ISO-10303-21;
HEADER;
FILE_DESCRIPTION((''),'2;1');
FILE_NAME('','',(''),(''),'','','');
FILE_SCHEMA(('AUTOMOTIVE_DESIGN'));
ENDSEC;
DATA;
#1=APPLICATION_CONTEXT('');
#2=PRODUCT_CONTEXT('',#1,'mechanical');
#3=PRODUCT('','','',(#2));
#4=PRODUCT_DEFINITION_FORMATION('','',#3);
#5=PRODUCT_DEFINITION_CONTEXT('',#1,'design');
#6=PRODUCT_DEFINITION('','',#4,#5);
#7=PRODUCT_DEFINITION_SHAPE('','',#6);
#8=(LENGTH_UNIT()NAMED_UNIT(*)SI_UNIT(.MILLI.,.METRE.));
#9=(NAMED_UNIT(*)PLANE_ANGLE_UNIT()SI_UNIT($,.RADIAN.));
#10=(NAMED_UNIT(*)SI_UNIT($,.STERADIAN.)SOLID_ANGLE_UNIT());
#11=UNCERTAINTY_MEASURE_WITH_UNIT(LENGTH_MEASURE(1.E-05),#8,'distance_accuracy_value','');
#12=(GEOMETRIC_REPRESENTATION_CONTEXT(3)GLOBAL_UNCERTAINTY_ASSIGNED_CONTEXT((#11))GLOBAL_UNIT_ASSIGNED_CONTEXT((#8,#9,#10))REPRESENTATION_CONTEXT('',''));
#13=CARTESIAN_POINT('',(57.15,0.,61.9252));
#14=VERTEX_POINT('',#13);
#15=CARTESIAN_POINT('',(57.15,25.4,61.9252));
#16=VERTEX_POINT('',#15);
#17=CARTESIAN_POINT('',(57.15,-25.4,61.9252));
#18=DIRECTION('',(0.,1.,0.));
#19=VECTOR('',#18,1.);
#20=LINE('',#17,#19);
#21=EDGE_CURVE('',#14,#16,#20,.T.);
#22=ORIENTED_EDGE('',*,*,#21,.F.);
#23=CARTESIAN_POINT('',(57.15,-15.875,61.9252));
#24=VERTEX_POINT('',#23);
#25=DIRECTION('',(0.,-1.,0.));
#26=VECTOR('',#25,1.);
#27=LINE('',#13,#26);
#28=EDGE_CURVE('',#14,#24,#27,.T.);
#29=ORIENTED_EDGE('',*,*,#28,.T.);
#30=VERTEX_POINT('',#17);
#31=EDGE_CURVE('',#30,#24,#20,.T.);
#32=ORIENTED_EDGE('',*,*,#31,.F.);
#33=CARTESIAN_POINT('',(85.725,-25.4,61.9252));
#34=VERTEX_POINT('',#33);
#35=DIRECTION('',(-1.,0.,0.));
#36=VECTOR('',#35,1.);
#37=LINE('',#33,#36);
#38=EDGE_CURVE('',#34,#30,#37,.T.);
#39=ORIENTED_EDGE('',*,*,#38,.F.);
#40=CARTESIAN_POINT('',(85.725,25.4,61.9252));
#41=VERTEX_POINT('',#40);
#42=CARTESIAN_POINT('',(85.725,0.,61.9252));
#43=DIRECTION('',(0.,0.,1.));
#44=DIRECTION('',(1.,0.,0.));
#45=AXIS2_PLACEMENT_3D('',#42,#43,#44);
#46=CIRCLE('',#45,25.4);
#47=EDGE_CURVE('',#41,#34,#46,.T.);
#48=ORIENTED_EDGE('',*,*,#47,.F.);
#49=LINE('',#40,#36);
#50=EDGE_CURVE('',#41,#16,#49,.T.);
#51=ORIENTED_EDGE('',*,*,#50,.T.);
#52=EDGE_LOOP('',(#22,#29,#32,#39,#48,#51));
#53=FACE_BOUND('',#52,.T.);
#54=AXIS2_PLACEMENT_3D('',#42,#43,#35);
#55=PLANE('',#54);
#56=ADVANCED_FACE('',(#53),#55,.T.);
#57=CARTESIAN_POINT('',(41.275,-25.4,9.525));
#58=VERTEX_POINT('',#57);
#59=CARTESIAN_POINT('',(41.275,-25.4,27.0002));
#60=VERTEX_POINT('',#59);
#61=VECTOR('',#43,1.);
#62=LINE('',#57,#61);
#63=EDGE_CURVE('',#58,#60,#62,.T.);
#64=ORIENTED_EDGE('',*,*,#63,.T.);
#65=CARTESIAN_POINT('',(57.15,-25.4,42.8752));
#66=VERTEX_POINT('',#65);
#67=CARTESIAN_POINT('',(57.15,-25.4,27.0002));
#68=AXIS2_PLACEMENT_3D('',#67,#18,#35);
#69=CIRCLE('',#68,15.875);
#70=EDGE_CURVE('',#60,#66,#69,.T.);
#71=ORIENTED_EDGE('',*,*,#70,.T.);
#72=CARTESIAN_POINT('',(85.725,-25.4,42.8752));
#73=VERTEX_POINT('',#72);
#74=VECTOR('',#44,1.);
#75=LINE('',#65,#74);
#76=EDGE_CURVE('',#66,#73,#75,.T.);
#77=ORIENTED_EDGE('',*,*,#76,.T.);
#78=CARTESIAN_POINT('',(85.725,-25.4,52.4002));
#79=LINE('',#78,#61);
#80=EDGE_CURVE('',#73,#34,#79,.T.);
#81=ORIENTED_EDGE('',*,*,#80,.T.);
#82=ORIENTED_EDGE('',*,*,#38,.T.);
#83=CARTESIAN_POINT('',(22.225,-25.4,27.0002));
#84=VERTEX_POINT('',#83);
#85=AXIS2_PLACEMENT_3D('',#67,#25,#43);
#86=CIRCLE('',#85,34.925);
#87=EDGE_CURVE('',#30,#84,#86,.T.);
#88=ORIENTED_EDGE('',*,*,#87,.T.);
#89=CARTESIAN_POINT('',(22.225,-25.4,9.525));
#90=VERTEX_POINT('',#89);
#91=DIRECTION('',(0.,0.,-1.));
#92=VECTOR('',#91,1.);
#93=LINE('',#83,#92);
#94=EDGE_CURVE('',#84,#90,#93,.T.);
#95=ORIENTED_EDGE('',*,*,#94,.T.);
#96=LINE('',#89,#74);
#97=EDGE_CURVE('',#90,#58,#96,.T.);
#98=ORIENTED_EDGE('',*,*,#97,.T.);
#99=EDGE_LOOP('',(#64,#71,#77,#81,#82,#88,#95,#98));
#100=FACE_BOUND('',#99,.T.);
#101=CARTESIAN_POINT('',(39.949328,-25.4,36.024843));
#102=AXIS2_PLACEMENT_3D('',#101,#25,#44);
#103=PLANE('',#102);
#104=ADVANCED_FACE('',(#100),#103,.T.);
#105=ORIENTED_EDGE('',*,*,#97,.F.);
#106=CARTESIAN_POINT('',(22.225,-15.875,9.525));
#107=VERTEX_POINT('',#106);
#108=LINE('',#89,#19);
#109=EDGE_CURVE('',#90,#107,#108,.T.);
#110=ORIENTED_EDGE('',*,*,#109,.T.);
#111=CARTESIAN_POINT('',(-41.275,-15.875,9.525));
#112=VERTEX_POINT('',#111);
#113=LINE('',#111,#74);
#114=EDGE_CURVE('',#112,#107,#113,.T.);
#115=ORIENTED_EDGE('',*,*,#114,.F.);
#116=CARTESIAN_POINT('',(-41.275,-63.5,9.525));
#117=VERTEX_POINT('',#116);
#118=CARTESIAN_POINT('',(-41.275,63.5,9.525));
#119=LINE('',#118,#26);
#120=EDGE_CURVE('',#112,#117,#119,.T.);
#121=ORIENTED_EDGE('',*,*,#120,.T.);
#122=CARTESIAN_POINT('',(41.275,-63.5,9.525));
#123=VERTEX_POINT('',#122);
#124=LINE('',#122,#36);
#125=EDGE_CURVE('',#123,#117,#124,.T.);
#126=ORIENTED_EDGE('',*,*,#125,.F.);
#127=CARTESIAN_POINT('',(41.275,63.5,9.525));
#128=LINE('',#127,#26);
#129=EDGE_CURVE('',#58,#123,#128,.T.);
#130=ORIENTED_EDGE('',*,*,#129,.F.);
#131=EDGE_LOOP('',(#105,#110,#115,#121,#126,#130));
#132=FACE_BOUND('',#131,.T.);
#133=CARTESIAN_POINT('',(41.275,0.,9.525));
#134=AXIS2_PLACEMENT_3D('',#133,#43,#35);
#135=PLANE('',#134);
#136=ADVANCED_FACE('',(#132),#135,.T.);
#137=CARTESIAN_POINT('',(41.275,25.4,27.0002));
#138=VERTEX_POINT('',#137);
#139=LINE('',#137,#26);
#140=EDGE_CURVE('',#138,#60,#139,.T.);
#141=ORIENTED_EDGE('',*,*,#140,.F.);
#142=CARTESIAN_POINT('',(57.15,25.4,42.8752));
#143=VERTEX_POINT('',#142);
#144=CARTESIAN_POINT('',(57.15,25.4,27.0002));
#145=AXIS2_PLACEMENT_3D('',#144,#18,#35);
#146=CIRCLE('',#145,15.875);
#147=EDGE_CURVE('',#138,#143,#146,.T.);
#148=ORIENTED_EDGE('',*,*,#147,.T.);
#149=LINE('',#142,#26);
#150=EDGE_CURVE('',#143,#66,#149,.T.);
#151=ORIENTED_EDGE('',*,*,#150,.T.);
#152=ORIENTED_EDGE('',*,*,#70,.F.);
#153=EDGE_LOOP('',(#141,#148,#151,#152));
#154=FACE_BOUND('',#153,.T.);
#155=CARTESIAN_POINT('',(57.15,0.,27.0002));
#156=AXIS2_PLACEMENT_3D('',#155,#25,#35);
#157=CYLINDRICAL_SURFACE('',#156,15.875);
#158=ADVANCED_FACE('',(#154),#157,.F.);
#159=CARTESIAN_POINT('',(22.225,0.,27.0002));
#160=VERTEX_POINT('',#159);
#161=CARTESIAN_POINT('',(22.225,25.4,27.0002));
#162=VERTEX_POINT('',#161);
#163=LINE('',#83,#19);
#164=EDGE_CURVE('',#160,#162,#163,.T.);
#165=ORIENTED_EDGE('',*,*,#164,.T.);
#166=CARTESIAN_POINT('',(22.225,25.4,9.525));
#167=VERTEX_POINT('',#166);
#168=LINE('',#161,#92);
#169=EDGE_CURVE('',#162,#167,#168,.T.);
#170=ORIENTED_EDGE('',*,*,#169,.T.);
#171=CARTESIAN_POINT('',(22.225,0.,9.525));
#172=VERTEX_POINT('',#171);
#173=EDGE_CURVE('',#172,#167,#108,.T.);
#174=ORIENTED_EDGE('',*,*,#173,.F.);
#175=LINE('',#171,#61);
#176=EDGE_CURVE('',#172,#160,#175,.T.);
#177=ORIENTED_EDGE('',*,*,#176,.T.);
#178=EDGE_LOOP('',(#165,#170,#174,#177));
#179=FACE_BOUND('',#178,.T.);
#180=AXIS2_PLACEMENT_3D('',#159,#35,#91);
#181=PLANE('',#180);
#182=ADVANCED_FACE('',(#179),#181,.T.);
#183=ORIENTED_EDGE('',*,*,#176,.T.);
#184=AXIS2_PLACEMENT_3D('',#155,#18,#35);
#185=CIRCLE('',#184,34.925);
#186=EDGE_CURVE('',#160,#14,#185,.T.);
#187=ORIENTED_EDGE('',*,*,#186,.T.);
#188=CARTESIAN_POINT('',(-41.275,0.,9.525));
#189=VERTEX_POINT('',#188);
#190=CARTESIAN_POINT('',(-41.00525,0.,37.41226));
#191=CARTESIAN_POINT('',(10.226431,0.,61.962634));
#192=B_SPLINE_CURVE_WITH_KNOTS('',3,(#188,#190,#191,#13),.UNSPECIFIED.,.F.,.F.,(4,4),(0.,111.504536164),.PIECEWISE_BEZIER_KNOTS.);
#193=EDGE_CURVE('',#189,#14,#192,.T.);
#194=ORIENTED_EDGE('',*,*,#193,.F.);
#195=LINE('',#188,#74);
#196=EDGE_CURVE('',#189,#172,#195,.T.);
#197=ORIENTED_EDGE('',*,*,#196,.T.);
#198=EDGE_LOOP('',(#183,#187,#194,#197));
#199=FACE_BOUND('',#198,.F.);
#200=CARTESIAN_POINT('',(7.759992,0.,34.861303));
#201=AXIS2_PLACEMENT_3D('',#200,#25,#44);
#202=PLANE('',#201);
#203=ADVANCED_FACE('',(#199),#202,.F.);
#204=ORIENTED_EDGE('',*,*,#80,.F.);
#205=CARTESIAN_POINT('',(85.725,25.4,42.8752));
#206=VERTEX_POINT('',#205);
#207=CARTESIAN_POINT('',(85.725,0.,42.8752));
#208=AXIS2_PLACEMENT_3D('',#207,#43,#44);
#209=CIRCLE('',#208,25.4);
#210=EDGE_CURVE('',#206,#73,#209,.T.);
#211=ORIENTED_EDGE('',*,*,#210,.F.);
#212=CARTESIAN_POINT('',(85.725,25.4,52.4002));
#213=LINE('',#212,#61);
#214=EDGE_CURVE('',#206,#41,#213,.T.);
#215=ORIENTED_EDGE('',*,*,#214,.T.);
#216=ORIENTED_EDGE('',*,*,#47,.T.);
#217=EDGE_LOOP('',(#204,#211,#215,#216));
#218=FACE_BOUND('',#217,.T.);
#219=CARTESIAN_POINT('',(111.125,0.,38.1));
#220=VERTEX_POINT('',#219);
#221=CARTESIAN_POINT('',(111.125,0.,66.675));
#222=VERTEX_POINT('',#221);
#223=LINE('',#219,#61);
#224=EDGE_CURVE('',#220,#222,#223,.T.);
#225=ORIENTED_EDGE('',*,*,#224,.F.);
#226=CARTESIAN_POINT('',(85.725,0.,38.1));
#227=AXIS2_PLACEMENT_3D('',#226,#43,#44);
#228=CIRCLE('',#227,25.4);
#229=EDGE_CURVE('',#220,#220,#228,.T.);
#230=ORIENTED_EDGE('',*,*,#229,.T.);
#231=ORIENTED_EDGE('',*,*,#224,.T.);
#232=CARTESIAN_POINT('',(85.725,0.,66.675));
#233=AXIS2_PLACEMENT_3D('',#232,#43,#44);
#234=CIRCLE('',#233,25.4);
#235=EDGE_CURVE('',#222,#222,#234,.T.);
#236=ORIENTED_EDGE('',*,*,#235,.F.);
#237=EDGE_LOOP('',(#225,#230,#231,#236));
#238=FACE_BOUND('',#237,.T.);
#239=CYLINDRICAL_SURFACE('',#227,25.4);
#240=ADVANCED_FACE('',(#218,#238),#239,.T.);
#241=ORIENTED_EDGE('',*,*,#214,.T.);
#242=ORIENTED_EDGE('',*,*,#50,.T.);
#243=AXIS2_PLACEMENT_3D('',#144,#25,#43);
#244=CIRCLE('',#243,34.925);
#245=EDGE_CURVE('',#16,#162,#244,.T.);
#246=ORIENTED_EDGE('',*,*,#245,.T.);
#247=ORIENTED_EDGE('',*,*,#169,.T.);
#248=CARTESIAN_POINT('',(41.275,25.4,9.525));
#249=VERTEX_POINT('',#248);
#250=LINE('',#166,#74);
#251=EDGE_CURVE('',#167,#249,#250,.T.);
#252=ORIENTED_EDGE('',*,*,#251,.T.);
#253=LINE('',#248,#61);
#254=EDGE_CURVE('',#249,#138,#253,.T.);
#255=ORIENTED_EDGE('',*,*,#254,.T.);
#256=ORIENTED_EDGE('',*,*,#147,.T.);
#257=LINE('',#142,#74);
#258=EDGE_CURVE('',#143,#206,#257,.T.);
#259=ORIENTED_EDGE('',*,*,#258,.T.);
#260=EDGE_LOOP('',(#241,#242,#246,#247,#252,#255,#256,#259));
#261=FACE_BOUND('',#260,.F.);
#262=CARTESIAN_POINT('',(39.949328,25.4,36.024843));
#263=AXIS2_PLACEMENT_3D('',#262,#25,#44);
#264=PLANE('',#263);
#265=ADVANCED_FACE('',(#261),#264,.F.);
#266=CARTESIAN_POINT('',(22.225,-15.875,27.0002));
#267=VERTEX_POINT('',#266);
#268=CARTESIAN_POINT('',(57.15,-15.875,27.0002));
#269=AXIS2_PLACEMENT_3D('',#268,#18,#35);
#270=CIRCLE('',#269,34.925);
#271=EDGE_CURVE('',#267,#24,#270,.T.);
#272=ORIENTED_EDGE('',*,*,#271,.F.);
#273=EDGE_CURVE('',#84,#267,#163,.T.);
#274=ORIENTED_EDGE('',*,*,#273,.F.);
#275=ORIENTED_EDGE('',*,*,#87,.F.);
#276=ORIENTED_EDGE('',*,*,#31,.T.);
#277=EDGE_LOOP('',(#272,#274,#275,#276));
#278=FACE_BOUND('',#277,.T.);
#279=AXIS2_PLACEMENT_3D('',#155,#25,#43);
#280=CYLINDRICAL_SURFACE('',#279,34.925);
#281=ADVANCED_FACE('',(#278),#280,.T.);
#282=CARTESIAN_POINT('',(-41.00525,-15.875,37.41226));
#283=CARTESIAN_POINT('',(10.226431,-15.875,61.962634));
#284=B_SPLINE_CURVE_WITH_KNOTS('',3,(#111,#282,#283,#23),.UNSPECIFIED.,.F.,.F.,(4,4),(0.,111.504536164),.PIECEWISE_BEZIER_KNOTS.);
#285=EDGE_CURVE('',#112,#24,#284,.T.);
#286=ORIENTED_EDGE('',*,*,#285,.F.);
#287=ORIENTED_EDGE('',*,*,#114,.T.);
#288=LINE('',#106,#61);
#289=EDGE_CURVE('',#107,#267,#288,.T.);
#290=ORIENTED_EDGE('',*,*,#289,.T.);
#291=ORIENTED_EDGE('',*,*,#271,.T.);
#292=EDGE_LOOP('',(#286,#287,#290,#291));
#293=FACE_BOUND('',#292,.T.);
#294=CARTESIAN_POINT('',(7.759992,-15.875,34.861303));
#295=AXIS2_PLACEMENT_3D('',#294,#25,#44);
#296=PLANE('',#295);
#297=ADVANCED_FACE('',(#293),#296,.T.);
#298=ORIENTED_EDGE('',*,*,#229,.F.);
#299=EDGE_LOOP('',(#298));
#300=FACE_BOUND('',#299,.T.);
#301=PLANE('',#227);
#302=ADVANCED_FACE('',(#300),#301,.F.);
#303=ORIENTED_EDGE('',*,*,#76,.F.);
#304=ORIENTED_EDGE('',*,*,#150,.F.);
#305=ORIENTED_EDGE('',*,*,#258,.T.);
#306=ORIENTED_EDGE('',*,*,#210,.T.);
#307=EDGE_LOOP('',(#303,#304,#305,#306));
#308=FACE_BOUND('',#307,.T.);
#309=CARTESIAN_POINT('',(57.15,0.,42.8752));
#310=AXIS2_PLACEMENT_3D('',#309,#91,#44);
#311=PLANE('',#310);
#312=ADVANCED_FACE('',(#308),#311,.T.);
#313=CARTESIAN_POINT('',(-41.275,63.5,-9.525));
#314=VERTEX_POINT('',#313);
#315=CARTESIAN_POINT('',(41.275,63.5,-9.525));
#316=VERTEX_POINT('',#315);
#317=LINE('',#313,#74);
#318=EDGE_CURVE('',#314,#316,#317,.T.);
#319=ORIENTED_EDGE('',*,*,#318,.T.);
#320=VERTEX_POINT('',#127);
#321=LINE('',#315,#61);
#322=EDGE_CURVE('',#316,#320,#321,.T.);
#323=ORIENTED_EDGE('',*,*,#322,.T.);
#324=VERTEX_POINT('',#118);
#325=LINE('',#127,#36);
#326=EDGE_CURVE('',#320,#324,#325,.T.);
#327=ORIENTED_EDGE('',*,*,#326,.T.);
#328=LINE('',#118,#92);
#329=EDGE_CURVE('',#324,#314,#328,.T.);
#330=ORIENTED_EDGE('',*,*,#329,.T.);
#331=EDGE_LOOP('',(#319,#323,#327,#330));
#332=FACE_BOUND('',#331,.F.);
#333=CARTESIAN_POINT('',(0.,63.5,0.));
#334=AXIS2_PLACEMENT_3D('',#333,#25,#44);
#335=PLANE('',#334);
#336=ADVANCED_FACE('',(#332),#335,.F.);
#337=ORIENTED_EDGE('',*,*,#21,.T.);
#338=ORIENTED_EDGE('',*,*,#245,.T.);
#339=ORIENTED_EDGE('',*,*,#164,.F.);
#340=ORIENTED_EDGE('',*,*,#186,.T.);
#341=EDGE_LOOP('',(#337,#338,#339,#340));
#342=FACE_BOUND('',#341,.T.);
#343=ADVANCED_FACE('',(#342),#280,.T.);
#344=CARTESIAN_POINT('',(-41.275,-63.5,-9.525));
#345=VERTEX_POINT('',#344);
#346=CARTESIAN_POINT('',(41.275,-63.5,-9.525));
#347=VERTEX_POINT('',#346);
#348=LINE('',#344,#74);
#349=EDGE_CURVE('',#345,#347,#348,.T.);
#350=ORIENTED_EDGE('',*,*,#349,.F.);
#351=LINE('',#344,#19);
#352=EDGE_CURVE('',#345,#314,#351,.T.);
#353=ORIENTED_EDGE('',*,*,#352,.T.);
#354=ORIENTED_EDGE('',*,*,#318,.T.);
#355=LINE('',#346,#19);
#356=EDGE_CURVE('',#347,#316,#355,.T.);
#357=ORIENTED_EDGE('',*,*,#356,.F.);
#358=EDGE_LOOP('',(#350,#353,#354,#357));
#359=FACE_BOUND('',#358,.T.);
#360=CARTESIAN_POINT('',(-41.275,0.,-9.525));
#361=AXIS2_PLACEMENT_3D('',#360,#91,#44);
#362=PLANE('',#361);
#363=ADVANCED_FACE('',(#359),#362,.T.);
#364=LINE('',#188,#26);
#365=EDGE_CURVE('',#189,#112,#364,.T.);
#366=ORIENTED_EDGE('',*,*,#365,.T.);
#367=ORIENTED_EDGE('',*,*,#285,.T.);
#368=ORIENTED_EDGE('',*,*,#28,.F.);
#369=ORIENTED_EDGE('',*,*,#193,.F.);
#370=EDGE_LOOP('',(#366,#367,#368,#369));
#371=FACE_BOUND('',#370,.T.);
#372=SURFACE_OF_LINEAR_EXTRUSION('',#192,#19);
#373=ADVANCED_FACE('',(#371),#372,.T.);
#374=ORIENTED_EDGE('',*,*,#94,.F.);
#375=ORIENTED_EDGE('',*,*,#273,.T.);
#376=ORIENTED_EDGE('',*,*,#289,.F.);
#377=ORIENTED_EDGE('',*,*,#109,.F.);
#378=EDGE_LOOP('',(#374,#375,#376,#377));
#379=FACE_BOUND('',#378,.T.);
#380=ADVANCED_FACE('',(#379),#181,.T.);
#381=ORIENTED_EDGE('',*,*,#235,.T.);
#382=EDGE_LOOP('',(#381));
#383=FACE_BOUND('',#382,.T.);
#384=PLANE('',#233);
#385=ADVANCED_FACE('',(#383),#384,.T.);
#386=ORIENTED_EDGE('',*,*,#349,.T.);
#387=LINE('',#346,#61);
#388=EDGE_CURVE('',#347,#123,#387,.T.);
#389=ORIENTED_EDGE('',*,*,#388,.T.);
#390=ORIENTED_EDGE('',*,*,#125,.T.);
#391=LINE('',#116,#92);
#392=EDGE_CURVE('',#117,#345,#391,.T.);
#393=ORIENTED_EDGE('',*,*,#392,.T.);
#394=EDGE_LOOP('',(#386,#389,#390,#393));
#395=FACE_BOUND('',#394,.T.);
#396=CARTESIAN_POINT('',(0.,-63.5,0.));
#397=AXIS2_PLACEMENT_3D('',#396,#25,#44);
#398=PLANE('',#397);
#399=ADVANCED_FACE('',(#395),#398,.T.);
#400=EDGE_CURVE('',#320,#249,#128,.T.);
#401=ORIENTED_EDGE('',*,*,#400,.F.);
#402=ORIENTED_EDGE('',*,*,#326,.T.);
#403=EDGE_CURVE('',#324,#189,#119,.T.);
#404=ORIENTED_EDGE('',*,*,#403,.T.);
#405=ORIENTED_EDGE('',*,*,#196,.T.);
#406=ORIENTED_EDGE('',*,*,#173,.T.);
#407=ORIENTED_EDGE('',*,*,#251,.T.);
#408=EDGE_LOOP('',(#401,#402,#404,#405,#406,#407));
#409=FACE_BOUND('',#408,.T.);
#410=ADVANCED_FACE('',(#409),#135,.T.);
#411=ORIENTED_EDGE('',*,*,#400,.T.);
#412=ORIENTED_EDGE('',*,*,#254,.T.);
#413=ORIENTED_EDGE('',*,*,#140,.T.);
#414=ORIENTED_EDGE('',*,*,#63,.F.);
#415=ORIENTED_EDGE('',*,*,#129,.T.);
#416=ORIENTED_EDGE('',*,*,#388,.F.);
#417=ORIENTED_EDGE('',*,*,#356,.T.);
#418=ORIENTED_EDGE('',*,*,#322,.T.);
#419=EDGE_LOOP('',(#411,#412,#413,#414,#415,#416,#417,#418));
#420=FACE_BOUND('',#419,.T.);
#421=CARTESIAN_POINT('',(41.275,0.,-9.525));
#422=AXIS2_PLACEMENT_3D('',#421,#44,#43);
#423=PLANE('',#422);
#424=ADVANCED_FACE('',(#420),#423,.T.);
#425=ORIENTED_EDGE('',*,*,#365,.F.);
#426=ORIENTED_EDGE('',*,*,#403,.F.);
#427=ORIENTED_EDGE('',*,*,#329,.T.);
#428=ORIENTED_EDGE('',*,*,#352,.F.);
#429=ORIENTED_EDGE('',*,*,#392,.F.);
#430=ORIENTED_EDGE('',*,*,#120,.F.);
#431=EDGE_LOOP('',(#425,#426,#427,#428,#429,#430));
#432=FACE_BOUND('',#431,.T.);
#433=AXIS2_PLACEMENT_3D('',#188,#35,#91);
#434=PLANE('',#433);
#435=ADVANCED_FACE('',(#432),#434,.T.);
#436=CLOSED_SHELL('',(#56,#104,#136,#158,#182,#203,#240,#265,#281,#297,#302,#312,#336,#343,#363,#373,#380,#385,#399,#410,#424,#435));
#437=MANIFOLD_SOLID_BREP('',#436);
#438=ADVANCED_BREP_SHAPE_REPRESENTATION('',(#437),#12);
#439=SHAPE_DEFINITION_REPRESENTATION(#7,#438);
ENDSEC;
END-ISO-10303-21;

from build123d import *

# Parameters (mm, degrees)
F1_DEPTH = 63.5
F0_W     = 25.4
F0_H     = 19.05
F2_DEPTH = 25.4
F3_DEPTH = 15.875


with BuildPart() as f1:
    # F0 (on Front) → F1 (new body, symmetric)
    with BuildSketch(Plane.XZ):
        Polygon((41.275, -9.525), (41.275, 9.525), (22.225, 9.525), (-41.275, 9.525), (-41.275, -9.525), align=None)
    extrude(amount=F1_DEPTH, both=True)

    # F0 (on Front) → F2 (join, symmetric)
    with BuildSketch(Plane.XZ):
        with BuildLine():
            Line((22.225, 9.525), (41.275, 9.525))
            Line((41.275, 9.525), (41.275, 27.0002))
            ThreePointArc((41.275, 27.0002), (45.9246798487, 38.2255201513), (57.15, 42.8752))
            Line((57.15, 42.8752), (60.325, 42.8752))
            Line((60.325, 42.8752), (60.325, 61.9252))
            Line((60.325, 61.9252), (57.15, 61.9252))
            ThreePointArc((57.15, 61.9252), (32.4542956671, 51.6959043329), (22.225, 27.0002))
            Line((22.225, 27.0002), (22.225, 9.525))
        make_face()
        with Locations((73.025, 52.4002)):
            Rectangle(F0_W, F0_H)
    extrude(amount=F2_DEPTH, both=True)

    # F0 (on Front) → F3 (join)
    with BuildSketch(Plane.XZ):
        with BuildLine():
            Line((-41.275, 9.525), (22.225, 9.525))
            Line((22.225, 9.525), (22.225, 27.0002))
            ThreePointArc((22.225, 27.0002), (32.4542956671, 51.6959043329), (57.15, 61.9252))
            add(Edge.make_bspline(
                [(-41.275, 9.525), (-41.0052500665, 37.4122597277), (10.2264313027, 61.962634325), (57.15, 61.9252)],
                knots=[0, 0, 0, 0, 111.5045361635, 111.5045361635, 111.5045361635, 111.5045361635], degree=3))
        make_face()
    extrude(amount=F3_DEPTH)

    # F0 (on Front) → F4 (revolve)
    with BuildSketch(Plane.XZ):
        Polygon((85.725, 61.9252), (85.725, 42.8752), (85.725, 38.1), (111.125, 38.1), (111.125, 66.675), (85.725, 66.675), align=None)
    revolve(axis=Axis((85.725, 0, 52.3875), (0, 0, 1)))


solid = f1.part
